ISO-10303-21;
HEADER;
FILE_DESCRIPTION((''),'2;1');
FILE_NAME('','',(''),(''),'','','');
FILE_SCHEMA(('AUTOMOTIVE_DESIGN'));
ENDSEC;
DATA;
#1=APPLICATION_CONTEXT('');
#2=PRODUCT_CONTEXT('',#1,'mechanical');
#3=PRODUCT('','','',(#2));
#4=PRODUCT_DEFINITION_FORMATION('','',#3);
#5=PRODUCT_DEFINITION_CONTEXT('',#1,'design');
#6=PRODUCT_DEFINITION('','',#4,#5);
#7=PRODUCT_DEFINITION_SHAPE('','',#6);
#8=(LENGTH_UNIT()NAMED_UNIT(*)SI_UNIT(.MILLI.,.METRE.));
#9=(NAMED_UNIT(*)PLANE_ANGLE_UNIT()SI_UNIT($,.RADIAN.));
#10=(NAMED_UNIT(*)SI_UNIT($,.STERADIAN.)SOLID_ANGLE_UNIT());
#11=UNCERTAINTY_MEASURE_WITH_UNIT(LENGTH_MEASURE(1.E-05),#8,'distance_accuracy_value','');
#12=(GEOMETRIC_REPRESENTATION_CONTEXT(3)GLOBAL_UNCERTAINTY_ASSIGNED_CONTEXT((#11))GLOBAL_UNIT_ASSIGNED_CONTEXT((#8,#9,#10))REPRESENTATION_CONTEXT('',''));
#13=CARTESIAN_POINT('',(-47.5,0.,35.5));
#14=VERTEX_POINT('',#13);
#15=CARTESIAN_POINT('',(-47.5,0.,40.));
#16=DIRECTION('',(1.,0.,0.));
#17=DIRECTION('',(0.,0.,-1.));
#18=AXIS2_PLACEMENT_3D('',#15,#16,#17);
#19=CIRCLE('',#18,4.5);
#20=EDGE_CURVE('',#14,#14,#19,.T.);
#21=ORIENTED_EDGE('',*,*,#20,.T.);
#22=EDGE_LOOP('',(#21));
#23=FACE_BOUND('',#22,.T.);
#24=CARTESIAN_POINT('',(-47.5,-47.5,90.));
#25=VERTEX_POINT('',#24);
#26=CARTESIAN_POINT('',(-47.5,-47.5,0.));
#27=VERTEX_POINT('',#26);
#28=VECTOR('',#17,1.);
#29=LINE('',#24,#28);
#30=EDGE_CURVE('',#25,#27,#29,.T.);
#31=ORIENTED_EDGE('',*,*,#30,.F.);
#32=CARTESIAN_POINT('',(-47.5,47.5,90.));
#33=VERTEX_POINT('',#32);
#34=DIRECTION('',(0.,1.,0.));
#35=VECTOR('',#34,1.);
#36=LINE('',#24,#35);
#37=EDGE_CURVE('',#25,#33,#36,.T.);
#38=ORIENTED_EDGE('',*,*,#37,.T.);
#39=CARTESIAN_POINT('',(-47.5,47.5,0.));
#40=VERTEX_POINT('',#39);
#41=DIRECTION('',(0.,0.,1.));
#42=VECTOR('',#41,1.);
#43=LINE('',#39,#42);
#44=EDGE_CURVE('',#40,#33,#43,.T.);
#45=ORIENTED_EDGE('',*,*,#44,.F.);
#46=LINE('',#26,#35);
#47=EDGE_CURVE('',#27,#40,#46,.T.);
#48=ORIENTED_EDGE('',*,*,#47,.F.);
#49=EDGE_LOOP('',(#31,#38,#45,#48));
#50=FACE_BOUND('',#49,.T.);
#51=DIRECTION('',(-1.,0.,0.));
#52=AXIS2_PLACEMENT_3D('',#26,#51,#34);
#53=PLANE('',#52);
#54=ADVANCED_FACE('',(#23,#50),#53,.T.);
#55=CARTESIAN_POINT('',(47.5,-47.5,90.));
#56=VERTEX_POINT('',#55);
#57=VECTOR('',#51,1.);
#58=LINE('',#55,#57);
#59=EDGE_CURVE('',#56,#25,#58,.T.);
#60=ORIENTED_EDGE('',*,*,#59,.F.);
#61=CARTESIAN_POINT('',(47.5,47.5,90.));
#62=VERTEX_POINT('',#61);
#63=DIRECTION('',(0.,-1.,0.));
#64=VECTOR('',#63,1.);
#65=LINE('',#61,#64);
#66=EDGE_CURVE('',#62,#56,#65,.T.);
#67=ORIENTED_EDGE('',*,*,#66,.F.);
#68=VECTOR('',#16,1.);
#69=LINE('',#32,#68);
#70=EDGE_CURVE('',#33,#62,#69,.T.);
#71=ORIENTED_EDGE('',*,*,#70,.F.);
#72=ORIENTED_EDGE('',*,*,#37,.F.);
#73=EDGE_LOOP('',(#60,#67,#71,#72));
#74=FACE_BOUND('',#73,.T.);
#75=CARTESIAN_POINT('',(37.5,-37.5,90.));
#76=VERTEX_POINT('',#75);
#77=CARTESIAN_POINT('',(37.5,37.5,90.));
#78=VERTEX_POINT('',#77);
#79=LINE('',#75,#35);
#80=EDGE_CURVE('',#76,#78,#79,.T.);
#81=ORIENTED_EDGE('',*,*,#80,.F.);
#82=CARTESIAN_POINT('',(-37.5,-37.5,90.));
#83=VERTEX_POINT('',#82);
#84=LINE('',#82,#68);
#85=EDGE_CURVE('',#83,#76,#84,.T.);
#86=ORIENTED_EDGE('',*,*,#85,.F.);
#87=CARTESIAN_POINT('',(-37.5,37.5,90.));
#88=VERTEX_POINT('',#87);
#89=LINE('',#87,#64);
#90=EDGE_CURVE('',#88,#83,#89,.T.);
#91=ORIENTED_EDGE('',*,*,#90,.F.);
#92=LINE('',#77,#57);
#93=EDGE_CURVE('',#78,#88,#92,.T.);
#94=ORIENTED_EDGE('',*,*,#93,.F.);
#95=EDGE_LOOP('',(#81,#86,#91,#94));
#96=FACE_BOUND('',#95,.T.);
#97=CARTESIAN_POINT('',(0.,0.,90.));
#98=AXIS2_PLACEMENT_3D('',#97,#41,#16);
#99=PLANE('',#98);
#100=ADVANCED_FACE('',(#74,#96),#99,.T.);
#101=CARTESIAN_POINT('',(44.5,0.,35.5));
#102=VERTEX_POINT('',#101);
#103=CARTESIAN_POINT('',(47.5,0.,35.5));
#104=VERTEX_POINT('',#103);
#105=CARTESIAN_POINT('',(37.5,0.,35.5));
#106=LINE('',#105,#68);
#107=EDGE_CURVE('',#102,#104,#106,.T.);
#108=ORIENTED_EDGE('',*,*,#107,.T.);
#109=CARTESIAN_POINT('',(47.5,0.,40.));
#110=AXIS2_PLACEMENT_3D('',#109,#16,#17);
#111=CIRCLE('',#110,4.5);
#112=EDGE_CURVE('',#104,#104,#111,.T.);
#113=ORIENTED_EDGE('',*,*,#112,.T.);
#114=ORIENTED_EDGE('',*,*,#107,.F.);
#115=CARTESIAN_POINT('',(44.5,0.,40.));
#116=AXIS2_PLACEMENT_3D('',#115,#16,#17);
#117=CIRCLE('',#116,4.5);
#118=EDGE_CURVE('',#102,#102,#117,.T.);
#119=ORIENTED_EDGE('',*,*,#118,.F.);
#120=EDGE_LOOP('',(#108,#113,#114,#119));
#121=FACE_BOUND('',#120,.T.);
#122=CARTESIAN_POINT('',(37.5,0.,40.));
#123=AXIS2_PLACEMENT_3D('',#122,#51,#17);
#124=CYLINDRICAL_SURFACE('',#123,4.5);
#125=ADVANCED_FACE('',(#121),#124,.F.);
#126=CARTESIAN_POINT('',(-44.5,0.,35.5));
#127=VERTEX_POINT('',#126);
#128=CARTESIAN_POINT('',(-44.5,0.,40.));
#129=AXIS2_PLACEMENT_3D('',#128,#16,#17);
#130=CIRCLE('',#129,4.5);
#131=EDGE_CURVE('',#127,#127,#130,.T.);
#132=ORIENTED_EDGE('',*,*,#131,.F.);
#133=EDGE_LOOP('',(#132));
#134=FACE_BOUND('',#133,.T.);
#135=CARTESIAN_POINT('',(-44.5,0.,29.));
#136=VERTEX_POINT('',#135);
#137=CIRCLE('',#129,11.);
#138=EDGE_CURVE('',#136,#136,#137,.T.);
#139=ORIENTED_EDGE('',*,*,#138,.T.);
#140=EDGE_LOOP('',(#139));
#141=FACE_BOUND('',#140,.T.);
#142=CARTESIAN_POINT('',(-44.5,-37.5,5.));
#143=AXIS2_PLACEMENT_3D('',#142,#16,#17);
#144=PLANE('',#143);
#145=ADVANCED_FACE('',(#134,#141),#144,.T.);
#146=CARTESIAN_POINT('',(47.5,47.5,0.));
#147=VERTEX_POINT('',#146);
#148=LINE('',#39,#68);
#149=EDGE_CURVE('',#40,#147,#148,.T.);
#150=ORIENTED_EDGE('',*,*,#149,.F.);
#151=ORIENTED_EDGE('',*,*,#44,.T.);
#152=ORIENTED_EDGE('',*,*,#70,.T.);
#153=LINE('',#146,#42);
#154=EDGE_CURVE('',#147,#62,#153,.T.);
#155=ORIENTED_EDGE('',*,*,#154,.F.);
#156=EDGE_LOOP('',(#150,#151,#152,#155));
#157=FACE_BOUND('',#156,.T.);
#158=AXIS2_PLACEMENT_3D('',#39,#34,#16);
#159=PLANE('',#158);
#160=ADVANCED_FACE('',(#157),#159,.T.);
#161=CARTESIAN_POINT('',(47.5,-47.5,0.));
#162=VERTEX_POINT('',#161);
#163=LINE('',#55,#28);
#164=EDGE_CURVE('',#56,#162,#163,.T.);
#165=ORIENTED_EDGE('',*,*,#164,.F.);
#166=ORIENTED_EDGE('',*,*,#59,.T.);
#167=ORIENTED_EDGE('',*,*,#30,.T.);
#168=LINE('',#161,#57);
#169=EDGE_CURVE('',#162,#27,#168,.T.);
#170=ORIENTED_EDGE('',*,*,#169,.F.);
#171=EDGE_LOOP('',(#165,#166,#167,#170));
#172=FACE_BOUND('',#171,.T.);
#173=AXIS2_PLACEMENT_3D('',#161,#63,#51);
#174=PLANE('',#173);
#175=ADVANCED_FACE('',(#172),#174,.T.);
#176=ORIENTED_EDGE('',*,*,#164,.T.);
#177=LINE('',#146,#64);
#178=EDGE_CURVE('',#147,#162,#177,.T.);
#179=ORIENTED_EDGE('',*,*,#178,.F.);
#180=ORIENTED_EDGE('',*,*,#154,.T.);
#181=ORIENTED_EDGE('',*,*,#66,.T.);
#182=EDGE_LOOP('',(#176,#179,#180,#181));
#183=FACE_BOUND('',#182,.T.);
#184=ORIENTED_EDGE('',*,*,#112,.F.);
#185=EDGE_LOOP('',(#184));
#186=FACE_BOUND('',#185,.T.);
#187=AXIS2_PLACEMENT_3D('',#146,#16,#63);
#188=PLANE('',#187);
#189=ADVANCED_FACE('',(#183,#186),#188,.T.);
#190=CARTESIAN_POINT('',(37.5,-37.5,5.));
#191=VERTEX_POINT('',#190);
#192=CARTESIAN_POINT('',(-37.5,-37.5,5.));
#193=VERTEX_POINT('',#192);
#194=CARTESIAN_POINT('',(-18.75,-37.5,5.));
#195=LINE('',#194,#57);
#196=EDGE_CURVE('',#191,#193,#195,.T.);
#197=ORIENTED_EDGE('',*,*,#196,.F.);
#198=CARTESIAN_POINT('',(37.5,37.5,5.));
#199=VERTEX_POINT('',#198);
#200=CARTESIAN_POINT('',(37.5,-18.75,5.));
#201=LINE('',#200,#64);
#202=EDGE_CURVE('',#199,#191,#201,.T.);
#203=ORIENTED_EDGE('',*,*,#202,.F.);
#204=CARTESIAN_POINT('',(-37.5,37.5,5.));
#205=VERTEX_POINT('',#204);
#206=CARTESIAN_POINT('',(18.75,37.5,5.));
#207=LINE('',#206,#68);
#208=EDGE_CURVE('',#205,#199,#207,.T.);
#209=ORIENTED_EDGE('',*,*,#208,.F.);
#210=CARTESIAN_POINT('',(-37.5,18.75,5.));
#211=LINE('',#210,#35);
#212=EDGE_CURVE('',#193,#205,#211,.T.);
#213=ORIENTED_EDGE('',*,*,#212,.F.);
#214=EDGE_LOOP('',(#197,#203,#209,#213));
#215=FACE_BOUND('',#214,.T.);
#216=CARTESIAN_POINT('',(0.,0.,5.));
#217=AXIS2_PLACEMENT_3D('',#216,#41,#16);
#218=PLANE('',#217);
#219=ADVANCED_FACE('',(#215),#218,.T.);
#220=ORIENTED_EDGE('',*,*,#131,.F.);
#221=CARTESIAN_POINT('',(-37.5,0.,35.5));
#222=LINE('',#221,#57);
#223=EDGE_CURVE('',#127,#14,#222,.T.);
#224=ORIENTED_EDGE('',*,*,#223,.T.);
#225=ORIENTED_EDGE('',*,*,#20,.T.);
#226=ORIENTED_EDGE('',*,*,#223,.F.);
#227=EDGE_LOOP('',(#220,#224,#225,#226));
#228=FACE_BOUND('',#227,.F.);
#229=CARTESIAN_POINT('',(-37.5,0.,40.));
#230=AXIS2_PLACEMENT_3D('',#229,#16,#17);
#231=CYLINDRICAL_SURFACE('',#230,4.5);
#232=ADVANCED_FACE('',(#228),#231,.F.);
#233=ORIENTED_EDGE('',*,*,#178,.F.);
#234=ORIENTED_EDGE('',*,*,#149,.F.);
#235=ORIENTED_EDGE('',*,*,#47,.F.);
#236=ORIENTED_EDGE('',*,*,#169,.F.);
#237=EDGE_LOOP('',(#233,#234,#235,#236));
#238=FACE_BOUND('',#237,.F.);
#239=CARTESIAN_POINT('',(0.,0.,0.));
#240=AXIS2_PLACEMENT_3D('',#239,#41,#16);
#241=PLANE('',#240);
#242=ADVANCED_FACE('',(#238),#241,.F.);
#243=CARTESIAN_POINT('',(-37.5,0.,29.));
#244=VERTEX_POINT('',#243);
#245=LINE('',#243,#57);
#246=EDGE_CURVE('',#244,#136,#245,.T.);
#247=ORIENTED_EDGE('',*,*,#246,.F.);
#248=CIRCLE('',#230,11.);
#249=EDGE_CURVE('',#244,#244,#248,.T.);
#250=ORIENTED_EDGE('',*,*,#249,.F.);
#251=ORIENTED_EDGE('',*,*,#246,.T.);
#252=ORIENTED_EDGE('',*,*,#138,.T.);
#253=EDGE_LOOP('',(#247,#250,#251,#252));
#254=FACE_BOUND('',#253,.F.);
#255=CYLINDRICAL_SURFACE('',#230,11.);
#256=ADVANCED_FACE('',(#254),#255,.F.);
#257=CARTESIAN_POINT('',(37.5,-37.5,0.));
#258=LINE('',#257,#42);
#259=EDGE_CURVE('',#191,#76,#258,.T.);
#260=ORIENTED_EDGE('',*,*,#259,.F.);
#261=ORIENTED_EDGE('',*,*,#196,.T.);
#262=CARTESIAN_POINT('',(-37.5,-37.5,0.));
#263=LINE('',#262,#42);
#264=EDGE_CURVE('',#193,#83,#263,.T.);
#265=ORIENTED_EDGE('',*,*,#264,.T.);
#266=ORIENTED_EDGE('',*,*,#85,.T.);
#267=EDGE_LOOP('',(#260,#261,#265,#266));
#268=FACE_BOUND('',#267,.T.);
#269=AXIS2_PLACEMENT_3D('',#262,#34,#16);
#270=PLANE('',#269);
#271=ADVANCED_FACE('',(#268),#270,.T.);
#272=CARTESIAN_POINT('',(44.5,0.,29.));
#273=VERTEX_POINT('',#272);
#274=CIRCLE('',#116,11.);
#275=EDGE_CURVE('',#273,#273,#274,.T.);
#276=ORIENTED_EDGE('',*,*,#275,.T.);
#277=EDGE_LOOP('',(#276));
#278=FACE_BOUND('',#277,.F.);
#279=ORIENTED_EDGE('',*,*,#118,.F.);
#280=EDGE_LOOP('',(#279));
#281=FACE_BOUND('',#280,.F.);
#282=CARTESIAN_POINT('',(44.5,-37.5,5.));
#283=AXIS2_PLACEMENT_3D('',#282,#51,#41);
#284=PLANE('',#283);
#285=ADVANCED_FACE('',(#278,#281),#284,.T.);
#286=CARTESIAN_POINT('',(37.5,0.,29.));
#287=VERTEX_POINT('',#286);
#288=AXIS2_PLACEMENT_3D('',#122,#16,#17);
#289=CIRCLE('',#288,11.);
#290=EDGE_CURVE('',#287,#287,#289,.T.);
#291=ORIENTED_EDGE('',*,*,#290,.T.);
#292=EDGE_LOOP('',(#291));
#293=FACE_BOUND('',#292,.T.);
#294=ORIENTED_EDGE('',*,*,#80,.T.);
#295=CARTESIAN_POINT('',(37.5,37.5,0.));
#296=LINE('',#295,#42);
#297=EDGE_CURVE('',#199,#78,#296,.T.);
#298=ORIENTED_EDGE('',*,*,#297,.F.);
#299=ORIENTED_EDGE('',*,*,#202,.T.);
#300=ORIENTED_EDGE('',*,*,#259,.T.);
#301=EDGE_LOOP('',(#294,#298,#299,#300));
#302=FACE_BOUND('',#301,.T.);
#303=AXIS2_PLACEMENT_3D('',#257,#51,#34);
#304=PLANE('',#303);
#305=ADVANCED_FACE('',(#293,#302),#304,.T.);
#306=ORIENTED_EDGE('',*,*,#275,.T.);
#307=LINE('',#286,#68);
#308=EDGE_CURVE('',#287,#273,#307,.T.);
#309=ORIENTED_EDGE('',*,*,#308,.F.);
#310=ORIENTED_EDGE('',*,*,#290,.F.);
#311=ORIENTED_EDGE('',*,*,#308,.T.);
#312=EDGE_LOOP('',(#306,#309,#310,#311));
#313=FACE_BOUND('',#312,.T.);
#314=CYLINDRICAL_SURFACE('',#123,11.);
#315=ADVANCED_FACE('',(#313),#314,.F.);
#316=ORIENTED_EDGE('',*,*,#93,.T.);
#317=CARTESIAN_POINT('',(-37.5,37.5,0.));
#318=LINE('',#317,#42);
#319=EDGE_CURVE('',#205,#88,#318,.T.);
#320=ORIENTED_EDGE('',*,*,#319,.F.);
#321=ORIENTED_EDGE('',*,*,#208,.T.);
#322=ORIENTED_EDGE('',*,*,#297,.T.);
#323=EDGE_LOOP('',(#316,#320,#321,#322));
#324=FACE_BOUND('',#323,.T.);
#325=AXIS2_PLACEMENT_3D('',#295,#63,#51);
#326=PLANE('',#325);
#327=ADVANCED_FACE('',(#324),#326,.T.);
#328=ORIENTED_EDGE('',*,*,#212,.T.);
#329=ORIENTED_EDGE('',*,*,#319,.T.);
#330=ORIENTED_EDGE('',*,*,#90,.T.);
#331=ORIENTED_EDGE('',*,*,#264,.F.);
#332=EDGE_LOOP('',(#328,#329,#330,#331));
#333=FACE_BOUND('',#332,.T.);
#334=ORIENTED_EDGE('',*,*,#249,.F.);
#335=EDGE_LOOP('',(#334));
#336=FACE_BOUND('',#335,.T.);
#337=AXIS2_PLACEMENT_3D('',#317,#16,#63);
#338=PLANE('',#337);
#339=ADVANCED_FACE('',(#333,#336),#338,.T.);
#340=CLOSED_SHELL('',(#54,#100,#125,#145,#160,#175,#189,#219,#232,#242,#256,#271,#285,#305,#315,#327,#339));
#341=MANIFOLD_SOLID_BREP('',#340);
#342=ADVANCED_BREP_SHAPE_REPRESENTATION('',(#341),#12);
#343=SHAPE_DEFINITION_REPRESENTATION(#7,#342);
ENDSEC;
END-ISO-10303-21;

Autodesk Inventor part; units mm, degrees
ref_plane "YZ Plane" through (0, 0, 0) normal (1, 0, 0) x (0, 1, 0)
ref_plane "XZ Plane" through (0, 0, 0) normal (0, 1, 0) x (-1, 0, 0)
ref_plane "XY Plane" through (0, 0, 0) normal (0, 0, 1) x (1, 0, 0)
sketch "Sketch1" plane through (0, 0, 0) normal (0, 0, 1) x (1, 0, 0)
  line L0 (-37.5, -37.5) -> (37.5, -37.5)
  line L1 (37.5, -37.5) -> (37.5, 37.5)
  line L2 (37.5, 37.5) -> (-37.5, 37.5)
  line L3 (-37.5, 37.5) -> (-37.5, -37.5)
  line L4 (-37.5, -37.5) -> (37.5, 37.5) construction
  line L5 (37.5, -37.5) -> (-37.5, 37.5) construction
  line L6 (47.5, 47.5) -> (47.5, -47.5)
  line L7 (47.5, -47.5) -> (-47.5, -47.5)
  line L8 (-47.5, -47.5) -> (-47.5, 47.5)
  line L9 (-47.5, 47.5) -> (47.5, 47.5)
  point P0 (0, 0)
  dimension "d0" = 75
  dimension "d1" = 75
  dimension "d2" = 10
extrude "Extrusion1" add sketch "Sketch1" along normal blind 5 contours L3 L2 L1 L0 | L6 L7 L8 L9
extrude "Extrusion2" add sketch "Sketch1" along normal blind 90
sketch "Sketch5" plane through (-37.5, -37.5, 5) normal (1, 0, 0) x (0, 0, -1)
  circle A0 centre (-35, 37.5) radius 11
  line L0 (5, 85) -> (5, -10) projected
  circle A1 centre (-35, 37.5) radius 4.5
  point P0 (5, 37.5)
  point P1 (5, 37.5)
  dimension "d16" = 22
  dimension "d17" = 40
  dimension "d18" = 9
extrude "Extrusion5" cut sketch "Sketch5" against normal blind 7
extrude "Extrusion6" cut sketch "Sketch5" against normal up to surface (10 mm away) contours A1
mirror "Mirror2" about plane through (0, 0, 0) normal (1, 0, 0) of "Extrusion6", "Extrusion5"
properties part number "draaideel voor endeffector"
